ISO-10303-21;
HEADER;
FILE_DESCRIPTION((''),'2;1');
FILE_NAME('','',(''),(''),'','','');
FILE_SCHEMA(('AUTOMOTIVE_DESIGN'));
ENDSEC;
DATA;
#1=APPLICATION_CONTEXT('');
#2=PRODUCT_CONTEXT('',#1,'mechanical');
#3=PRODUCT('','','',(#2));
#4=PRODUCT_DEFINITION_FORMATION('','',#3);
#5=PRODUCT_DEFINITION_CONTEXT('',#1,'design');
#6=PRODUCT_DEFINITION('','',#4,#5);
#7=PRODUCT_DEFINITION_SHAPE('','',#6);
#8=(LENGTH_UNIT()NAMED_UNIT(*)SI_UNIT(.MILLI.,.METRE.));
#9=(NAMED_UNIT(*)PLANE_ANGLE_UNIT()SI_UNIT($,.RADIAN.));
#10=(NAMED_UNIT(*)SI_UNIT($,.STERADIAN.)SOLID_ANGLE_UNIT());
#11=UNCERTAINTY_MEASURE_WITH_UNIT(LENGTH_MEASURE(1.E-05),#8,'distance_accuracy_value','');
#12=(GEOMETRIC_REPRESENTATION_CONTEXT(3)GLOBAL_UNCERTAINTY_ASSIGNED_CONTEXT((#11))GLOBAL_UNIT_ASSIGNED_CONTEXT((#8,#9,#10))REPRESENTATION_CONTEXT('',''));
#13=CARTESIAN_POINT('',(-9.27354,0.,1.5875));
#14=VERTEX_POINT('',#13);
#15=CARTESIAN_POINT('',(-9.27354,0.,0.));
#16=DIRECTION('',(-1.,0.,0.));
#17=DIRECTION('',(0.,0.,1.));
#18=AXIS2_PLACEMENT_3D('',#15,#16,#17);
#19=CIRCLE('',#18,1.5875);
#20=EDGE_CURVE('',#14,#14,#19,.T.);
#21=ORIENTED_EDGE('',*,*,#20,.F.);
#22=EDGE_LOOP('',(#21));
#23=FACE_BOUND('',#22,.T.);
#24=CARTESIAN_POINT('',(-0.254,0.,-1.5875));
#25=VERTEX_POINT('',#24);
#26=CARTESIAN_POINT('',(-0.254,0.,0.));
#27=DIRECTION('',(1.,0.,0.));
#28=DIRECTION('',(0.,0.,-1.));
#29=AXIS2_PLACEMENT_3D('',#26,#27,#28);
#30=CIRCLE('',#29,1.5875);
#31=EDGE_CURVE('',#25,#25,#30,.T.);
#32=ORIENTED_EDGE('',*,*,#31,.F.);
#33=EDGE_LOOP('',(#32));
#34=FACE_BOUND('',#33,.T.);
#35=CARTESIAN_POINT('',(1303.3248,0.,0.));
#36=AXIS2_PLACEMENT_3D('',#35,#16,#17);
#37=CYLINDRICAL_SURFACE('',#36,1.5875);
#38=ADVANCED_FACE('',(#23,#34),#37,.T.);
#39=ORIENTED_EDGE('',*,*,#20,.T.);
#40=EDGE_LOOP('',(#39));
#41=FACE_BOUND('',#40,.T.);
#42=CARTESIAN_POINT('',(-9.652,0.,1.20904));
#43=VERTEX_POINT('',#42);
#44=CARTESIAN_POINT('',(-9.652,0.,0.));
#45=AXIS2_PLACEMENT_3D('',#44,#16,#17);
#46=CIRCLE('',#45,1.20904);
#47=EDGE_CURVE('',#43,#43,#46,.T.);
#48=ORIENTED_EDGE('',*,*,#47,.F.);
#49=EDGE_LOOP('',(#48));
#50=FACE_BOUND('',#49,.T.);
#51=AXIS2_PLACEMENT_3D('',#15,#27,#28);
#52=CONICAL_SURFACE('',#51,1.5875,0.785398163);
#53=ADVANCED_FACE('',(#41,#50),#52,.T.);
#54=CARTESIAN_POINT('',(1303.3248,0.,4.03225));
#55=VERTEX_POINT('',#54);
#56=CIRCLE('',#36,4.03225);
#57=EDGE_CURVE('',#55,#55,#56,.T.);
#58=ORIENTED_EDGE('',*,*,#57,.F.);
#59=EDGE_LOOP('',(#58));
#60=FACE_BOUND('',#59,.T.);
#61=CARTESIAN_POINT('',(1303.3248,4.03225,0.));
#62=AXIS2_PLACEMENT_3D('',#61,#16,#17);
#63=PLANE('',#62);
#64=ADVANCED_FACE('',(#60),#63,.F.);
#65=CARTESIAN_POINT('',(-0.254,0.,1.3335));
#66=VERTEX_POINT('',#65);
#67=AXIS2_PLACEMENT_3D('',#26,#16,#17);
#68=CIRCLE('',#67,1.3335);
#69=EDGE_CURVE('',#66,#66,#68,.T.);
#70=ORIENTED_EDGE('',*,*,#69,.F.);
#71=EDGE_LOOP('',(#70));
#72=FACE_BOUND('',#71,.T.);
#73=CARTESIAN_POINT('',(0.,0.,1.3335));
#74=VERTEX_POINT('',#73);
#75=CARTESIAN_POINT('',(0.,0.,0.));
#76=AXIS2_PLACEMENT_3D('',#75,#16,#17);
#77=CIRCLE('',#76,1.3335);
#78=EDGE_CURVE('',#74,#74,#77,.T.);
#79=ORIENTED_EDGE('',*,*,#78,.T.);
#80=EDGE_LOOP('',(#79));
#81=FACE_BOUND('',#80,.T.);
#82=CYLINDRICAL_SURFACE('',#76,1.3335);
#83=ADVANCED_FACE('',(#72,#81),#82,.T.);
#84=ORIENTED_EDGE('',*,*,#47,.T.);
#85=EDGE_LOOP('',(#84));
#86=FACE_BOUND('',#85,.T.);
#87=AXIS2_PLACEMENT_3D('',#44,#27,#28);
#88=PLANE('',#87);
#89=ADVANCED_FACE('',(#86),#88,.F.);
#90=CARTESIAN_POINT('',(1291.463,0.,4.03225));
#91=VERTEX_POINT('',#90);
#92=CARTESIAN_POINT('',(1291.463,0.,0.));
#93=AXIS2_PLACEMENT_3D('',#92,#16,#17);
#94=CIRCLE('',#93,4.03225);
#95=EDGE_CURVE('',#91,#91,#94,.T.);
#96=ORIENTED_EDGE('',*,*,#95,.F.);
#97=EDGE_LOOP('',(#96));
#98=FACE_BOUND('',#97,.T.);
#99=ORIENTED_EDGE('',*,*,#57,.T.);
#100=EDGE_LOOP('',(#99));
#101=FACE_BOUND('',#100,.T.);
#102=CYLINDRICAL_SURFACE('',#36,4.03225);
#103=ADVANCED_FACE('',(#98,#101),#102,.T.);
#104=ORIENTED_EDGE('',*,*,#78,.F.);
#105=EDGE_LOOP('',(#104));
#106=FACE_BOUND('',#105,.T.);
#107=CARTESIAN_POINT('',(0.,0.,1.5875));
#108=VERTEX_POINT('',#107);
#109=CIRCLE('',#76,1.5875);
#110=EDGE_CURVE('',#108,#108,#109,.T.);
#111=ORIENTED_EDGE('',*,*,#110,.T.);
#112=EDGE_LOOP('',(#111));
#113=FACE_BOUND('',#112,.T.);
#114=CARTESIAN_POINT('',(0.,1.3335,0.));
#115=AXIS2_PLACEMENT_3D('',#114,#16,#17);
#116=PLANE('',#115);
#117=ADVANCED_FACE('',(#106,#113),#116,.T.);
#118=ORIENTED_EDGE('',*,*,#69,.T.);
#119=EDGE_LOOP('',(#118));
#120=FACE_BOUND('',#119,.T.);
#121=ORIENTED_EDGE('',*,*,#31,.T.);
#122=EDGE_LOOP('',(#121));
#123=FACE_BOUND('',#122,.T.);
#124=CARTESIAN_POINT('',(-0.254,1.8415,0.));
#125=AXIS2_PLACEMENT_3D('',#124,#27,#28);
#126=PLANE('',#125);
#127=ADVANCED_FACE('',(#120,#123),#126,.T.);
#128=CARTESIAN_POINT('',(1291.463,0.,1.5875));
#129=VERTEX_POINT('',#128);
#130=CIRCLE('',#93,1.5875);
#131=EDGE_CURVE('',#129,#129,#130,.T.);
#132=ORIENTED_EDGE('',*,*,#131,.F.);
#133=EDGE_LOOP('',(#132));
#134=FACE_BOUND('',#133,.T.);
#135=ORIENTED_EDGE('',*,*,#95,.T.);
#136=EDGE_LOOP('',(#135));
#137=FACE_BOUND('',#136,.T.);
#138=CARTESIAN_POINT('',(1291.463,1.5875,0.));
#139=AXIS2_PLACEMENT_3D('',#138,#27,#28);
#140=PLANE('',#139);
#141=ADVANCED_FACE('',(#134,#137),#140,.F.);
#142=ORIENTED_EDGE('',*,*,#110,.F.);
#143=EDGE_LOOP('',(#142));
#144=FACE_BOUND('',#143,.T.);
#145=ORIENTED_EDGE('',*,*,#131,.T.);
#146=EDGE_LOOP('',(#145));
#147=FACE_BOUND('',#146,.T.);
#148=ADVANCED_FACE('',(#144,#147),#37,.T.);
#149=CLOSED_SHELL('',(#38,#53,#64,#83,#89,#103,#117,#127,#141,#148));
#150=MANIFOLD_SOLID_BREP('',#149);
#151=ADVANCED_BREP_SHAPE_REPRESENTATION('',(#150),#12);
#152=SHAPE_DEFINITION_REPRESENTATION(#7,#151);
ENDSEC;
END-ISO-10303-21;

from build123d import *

# Parameters (mm, degrees)
SKETCH3_W = 0.254
SKETCH3_H = 0.508


with BuildPart() as part:
    # Sketch1 → Revolve1 (revolve)
    with BuildSketch(Plane.XY):
        Polygon((0, 0), (0, 1.5875), (1291.463, 1.5875), (1291.463, 4.03225), (1303.3248, 4.03225), (1303.3248, 0), align=None)
    revolve(axis=Axis((1303.3248, 0, 0), (-1, 0, 0)))

    # Sketch2 → Revolve2 (revolve)
    with BuildSketch(Plane.XY):
        Polygon((-9.652, 0), (-9.652, 1.20904), (-9.27354, 1.5875), (0, 1.5875), (0, 0), align=None)
    revolve(axis=Axis((0, 0, 0), (-1, 0, 0)))

    # Sketch3 → Cut-Revolve1 (revolve, cut)
    with BuildSketch(Plane.XY):
        with Locations((-0.127, 1.5875)):
            Rectangle(SKETCH3_W, SKETCH3_H)
    revolve(axis=Axis((0, 0, 0), (-1, 0, 0)), mode=Mode.SUBTRACT)


solid = part.part
